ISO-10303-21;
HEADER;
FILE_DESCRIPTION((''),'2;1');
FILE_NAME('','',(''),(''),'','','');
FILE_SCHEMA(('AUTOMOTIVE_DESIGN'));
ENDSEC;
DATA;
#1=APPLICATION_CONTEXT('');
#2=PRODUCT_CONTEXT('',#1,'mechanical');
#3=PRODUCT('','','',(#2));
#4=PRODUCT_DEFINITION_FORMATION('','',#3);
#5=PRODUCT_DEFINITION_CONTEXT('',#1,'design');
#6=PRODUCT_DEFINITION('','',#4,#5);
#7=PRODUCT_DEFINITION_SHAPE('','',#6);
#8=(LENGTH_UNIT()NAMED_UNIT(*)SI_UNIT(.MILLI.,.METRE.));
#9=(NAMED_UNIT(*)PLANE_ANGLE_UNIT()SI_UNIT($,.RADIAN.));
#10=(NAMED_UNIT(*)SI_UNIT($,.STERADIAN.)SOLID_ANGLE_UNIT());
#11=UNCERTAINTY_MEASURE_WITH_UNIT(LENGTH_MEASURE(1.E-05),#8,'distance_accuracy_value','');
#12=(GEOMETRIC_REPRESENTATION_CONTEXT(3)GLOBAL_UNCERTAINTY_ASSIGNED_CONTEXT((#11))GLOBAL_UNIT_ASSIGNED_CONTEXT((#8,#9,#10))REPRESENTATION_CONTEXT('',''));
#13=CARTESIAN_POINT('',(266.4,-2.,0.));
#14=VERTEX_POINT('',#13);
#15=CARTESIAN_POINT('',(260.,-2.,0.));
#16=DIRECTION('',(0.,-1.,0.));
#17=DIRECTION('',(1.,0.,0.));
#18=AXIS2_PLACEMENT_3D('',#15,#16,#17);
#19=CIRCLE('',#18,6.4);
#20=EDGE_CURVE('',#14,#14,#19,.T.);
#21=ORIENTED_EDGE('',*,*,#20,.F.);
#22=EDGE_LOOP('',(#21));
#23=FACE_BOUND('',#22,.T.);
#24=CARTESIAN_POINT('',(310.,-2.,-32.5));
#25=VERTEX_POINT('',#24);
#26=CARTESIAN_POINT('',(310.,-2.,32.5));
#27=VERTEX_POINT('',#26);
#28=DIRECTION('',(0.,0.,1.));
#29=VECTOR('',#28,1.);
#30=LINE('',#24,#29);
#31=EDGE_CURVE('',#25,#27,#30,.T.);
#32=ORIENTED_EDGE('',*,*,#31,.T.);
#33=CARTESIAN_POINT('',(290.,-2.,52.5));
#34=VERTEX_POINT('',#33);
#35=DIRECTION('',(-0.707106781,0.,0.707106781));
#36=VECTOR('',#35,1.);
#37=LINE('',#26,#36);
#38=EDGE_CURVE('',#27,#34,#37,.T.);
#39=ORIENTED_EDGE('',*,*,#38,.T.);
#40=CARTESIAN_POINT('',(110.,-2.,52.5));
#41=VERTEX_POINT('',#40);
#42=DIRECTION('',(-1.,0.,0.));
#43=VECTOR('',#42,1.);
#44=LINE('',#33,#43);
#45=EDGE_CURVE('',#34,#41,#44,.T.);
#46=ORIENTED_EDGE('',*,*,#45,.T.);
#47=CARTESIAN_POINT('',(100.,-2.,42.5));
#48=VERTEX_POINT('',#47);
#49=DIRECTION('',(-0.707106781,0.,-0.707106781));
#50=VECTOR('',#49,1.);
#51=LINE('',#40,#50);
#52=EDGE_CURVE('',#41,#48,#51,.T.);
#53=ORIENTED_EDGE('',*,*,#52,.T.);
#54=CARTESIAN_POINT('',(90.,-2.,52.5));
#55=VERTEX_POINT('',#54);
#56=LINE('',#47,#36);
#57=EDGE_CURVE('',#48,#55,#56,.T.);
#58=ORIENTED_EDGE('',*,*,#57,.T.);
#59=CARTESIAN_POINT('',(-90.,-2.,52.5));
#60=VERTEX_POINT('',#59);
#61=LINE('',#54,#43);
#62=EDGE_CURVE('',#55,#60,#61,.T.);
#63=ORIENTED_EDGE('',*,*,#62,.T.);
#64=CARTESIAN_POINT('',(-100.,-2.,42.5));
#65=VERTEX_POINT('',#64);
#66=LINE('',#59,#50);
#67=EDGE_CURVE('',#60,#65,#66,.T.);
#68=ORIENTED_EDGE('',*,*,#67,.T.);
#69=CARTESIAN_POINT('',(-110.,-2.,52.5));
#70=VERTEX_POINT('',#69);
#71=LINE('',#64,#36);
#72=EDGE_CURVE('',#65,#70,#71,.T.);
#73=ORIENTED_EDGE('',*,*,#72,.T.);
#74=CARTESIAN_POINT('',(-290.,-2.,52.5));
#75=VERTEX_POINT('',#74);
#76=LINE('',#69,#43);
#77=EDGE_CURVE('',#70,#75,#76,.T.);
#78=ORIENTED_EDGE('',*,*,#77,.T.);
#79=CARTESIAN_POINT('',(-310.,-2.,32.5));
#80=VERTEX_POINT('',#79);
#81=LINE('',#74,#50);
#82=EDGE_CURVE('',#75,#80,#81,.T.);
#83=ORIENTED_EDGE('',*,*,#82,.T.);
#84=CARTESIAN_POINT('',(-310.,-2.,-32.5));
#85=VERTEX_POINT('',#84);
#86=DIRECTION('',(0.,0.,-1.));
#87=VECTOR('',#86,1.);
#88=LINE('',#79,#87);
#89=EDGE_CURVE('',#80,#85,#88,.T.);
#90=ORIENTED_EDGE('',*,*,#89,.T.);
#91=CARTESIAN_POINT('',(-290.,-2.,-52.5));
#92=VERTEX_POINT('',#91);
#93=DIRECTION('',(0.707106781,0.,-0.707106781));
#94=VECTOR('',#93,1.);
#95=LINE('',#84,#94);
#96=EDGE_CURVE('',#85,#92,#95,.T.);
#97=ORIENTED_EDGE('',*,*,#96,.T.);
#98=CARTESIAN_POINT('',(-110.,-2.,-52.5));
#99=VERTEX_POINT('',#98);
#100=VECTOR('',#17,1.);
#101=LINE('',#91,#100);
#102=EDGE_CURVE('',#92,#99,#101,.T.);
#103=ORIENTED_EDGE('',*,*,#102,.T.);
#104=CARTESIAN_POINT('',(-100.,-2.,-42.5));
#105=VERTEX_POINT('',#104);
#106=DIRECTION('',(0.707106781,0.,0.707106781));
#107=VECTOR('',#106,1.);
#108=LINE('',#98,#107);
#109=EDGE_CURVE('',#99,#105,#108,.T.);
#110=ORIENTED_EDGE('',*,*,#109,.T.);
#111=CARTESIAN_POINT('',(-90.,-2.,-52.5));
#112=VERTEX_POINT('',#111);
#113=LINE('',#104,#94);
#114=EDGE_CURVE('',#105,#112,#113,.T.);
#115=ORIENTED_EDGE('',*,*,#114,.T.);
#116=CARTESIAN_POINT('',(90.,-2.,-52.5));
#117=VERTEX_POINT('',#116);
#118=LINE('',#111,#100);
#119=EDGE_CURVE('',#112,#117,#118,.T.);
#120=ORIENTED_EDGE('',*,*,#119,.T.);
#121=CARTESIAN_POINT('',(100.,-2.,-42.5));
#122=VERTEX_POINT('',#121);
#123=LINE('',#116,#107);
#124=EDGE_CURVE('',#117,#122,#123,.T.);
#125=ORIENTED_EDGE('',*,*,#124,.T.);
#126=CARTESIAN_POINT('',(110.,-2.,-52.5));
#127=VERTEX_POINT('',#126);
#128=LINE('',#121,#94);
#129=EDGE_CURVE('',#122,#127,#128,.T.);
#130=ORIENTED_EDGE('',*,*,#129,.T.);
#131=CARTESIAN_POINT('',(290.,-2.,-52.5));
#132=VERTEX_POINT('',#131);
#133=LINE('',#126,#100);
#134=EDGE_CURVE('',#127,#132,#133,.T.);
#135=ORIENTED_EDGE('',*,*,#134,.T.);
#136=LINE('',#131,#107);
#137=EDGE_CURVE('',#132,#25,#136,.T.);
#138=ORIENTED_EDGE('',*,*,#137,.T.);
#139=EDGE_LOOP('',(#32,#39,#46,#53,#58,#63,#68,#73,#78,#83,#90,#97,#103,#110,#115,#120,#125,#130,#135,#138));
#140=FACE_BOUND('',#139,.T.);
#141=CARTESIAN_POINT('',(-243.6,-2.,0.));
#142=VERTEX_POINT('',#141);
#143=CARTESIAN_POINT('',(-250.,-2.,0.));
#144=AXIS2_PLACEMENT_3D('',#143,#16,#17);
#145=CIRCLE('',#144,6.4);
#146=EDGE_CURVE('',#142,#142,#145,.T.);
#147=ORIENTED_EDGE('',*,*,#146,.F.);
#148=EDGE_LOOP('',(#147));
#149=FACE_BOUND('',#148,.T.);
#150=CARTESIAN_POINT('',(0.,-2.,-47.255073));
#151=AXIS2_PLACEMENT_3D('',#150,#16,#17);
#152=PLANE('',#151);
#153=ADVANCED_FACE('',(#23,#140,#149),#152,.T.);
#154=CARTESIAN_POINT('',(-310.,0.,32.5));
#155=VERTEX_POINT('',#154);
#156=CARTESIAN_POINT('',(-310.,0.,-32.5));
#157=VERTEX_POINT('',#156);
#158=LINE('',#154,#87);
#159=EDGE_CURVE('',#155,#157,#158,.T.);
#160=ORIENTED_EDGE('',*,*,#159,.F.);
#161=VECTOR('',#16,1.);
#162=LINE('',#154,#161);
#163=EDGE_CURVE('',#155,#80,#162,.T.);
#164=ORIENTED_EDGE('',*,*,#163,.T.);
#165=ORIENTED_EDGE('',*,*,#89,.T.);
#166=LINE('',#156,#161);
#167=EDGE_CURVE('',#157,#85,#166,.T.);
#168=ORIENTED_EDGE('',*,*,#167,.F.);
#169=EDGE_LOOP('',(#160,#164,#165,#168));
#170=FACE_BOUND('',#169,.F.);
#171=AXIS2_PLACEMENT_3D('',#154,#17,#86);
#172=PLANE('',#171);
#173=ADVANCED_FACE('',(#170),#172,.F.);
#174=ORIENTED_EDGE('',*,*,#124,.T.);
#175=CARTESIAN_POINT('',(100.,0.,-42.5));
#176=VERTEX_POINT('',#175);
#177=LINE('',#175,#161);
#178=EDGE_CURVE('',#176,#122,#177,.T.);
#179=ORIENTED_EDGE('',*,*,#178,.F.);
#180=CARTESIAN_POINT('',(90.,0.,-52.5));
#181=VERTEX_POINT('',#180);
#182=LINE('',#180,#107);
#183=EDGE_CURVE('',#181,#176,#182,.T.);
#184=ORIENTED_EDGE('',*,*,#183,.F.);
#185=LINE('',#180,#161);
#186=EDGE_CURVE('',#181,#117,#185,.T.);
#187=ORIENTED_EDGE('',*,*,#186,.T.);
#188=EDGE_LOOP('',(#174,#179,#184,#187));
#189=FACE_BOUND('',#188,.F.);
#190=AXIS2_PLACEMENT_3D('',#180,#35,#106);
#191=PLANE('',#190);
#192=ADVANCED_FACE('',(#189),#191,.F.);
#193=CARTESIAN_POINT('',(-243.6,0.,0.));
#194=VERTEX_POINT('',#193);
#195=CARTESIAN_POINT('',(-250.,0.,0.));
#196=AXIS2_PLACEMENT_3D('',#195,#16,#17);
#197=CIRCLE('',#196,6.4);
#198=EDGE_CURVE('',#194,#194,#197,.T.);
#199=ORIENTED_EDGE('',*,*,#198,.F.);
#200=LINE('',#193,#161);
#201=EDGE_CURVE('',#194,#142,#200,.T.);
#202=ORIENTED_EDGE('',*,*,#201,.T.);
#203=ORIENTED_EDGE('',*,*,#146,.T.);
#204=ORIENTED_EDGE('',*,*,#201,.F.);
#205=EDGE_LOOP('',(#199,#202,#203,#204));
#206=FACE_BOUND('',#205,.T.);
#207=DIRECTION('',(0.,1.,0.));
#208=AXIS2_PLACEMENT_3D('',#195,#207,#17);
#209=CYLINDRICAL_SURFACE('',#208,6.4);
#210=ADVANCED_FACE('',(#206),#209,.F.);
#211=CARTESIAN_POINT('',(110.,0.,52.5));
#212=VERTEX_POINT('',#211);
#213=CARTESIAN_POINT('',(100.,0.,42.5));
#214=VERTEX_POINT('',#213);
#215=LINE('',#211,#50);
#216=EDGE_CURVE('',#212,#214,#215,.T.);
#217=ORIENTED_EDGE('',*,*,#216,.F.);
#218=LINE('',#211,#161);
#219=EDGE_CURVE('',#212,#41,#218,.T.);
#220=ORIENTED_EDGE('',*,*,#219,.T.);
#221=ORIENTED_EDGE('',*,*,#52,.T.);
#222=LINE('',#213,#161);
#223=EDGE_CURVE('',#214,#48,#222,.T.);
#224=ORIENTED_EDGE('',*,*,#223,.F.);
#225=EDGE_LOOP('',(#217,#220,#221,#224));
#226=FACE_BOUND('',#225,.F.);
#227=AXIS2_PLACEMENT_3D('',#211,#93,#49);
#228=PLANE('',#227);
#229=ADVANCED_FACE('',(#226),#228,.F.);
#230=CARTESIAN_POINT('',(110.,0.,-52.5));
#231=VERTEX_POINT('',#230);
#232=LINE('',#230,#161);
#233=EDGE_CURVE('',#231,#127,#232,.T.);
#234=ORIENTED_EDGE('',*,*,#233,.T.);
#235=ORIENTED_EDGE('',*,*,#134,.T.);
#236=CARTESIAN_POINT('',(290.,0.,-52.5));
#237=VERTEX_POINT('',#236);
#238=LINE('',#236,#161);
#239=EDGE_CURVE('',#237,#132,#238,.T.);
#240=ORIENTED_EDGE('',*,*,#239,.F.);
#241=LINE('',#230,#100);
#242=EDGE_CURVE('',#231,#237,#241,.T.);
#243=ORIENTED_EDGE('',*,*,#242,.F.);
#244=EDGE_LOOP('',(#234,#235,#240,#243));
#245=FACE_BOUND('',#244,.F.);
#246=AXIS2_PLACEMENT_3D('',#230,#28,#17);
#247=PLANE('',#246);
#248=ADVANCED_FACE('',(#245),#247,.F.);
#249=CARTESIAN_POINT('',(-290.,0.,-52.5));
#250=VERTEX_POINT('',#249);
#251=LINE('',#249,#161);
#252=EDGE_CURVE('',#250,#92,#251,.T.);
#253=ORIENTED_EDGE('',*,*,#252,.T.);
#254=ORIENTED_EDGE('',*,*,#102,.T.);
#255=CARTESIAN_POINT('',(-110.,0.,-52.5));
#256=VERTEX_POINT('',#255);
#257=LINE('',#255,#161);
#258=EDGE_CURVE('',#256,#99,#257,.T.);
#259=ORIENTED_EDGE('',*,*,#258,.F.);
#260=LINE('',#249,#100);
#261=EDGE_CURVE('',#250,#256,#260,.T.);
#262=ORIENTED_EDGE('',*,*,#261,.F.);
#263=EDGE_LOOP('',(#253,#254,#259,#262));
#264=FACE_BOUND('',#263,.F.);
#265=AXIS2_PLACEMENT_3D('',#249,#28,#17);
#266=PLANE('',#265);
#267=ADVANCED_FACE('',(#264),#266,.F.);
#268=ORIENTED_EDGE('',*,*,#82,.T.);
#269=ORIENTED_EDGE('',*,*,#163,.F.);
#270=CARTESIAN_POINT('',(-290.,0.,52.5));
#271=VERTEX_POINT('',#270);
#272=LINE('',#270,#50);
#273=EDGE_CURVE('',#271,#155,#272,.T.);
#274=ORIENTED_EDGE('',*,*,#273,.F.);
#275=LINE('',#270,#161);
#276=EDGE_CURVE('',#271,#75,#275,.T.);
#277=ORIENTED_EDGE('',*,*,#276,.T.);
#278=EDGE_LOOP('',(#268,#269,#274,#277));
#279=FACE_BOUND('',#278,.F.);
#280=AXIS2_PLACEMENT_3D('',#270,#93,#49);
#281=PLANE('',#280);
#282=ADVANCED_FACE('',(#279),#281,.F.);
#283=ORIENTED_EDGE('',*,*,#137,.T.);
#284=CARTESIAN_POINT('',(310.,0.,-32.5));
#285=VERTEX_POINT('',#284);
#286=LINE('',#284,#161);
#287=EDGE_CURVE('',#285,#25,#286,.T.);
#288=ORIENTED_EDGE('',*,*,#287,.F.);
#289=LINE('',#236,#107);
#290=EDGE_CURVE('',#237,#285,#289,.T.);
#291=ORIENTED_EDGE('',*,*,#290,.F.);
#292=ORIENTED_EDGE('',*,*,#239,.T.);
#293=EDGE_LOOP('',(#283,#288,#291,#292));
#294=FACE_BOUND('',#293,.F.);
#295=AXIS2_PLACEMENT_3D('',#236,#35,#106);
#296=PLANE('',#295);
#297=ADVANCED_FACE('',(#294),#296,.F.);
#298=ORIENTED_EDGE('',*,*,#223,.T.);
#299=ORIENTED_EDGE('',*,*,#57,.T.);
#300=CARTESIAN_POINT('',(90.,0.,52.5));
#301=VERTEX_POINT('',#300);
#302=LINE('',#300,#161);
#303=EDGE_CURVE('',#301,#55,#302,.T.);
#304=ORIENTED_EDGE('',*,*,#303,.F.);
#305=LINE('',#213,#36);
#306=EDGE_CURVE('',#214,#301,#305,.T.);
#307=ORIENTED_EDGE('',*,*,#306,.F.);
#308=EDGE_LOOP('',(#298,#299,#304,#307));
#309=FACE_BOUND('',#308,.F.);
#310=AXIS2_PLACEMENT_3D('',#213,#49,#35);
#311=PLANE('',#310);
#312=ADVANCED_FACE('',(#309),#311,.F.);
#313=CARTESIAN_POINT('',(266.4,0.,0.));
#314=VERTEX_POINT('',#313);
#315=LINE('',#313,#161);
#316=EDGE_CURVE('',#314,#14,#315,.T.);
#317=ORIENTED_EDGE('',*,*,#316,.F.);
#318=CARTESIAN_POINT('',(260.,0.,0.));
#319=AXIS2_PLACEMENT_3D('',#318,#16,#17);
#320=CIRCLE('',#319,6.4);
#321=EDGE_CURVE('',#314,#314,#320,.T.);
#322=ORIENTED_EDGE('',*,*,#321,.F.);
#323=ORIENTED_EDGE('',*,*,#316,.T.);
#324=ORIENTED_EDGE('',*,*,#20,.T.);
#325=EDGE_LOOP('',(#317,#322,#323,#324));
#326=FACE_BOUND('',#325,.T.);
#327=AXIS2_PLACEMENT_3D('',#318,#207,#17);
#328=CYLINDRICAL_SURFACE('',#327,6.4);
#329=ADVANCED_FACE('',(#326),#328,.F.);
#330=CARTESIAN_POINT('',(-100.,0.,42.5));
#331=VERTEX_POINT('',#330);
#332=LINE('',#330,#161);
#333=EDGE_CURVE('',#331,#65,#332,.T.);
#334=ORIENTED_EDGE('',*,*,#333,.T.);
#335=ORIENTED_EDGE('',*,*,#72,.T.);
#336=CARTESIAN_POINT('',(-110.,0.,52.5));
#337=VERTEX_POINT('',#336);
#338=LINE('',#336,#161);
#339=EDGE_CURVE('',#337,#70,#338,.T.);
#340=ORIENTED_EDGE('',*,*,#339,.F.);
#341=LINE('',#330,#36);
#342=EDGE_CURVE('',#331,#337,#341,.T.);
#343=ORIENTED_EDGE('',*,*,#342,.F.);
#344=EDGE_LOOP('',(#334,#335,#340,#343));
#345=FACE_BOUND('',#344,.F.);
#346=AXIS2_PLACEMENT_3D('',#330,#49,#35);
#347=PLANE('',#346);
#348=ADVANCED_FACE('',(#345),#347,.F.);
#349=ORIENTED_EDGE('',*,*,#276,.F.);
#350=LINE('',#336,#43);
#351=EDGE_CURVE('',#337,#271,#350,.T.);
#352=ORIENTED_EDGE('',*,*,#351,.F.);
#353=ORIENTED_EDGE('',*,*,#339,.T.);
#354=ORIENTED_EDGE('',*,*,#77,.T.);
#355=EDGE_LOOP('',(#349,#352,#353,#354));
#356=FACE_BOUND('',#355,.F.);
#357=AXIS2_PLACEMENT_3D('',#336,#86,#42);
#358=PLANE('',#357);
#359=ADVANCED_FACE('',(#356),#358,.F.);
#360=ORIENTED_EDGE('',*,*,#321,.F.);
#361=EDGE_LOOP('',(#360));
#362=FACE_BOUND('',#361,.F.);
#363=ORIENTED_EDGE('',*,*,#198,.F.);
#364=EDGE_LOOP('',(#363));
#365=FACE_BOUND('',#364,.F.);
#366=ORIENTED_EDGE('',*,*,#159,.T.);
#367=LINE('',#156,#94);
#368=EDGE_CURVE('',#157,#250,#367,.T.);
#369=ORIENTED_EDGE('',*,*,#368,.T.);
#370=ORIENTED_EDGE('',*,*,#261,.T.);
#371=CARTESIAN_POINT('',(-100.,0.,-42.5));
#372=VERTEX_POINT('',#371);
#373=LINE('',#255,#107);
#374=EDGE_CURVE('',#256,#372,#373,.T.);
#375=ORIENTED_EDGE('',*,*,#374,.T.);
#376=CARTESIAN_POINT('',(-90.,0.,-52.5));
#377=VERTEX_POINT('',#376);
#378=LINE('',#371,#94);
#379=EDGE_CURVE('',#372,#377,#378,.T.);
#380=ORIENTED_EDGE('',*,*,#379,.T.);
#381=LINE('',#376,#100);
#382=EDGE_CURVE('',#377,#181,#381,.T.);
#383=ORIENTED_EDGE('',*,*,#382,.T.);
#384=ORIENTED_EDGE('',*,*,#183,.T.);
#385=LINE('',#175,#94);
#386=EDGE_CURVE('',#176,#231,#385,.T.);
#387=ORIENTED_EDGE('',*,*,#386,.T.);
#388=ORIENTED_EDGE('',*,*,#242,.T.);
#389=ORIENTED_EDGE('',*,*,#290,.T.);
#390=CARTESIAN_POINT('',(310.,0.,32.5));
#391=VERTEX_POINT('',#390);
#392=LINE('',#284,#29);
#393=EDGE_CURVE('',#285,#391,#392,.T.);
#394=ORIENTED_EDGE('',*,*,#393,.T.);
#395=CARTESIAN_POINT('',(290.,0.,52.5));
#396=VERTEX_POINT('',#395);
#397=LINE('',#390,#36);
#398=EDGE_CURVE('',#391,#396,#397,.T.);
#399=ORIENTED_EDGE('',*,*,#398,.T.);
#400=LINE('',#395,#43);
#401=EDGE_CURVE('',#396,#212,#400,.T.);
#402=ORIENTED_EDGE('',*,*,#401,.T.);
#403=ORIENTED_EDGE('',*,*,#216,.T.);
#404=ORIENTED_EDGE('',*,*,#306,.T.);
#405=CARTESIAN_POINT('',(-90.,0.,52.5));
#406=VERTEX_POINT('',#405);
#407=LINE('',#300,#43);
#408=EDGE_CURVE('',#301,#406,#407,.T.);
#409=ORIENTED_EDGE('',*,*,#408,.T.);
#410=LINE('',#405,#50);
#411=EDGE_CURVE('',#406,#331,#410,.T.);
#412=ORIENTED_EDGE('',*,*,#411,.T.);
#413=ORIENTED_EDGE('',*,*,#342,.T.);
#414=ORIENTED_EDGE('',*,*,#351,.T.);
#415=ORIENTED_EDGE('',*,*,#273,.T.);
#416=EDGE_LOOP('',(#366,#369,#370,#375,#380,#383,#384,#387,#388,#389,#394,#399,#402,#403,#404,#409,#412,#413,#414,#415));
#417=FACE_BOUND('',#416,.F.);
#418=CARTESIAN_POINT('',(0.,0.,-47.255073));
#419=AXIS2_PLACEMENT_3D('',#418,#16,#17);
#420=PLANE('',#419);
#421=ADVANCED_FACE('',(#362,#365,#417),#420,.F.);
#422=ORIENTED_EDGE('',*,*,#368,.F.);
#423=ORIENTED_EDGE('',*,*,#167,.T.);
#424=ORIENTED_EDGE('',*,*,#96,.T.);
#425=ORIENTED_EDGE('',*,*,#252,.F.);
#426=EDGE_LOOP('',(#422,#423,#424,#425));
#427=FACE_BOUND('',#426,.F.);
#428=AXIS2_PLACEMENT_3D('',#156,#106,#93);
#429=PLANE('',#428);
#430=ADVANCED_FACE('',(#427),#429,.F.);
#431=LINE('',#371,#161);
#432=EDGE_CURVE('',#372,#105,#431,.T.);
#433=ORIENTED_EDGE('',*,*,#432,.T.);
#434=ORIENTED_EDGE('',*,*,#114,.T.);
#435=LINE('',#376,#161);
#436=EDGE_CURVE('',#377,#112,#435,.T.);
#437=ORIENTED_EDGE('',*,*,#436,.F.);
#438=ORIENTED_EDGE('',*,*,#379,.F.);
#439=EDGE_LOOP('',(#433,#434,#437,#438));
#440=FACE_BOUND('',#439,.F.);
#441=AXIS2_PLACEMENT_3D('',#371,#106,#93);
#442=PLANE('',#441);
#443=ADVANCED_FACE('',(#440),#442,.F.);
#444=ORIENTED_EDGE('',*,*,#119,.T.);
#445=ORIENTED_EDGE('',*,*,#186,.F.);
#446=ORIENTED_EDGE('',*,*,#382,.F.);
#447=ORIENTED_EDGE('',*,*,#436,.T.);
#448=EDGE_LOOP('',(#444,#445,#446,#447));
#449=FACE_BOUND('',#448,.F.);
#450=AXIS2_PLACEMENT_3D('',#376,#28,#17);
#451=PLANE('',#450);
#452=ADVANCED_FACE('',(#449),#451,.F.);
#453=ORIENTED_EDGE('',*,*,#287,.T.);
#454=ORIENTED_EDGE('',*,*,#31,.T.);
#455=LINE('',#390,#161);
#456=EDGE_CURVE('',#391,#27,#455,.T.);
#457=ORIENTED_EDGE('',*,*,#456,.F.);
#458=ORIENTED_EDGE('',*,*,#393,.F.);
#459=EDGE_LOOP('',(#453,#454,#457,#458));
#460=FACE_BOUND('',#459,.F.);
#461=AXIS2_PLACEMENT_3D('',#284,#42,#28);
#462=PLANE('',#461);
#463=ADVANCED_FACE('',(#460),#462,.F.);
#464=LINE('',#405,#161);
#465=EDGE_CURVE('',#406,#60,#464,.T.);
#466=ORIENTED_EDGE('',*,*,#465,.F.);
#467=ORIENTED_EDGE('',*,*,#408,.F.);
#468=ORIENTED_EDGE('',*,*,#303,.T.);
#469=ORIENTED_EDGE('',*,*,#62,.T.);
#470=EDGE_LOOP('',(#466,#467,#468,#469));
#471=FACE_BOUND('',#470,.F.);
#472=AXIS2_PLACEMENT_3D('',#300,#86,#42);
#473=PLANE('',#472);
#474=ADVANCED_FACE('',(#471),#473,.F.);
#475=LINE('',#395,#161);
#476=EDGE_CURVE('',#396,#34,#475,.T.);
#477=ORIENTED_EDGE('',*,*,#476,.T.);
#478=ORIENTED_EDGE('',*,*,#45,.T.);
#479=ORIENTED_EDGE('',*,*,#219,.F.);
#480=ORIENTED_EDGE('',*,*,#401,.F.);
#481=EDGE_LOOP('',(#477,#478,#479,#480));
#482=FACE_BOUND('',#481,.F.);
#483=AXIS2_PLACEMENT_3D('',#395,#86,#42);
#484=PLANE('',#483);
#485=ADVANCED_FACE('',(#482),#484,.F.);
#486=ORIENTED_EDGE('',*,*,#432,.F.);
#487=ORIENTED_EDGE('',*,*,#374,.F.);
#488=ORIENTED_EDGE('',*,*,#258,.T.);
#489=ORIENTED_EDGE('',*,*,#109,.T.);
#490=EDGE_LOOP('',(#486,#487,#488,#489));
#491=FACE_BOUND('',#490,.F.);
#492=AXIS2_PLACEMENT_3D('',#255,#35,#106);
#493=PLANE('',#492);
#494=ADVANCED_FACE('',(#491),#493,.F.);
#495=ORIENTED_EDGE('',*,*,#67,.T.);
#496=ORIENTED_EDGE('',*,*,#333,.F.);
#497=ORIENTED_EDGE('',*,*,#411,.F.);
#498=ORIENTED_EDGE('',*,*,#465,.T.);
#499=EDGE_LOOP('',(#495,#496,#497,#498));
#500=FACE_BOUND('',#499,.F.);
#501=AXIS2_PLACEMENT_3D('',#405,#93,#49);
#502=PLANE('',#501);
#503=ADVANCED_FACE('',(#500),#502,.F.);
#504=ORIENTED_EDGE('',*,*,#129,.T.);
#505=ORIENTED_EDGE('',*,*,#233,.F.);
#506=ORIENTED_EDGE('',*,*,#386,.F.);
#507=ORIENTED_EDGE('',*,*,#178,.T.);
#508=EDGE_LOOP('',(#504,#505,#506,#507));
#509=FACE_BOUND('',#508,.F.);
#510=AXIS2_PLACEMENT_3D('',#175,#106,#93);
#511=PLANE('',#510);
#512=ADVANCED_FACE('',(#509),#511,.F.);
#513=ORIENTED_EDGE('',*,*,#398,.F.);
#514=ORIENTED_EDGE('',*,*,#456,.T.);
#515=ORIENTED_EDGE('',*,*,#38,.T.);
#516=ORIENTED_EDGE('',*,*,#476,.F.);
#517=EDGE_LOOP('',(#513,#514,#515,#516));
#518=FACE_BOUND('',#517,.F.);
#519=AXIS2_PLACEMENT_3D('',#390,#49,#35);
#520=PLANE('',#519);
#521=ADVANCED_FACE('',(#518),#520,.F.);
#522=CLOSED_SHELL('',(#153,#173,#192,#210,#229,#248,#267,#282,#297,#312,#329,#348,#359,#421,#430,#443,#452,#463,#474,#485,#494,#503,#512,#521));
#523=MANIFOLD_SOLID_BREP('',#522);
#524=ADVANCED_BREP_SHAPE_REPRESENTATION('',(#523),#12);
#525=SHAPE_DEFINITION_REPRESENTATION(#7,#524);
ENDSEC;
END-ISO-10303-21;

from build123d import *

# Parameters (mm, degrees)
F0_W     = 200
F0_H     = 85
F0_R     = 6.4
F1_DEPTH = 2


with BuildPart() as f1:
    # F0 (on Front) → F1 (new body)
    with BuildSketch(Plane.XZ):
        Polygon((90, -52.5), (100, -42.5), (-100, -42.5), (-90, -52.5), align=None)
        Rectangle(F0_W, F0_H)
        with Locations((200, 0)):
            Rectangle(F0_W, F0_H)
        with Locations((260, 0)):
            Circle(F0_R, mode=Mode.SUBTRACT)
        Polygon((300, -42.5), (100, -42.5), (110, -52.5), (290, -52.5), align=None)
        with Locations((-200, 0)):
            Rectangle(F0_W, F0_H)
        with Locations((-250, 0)):
            Circle(F0_R, mode=Mode.SUBTRACT)
        Polygon((-110, -52.5), (-100, -42.5), (-300, -42.5), (-290, -52.5), align=None)
        Polygon((110, 52.5), (100, 42.5), (300, 42.5), (290, 52.5), align=None)
        Polygon((-100, 42.5), (100, 42.5), (90, 52.5), (-90, 52.5), align=None)
        Polygon((300, 42.5), (300, -42.5), (310, -32.5), (310, 32.5), align=None)
        Polygon((-300, 42.5), (-100, 42.5), (-110, 52.5), (-290, 52.5), align=None)
        Polygon((-310, -32.5), (-300, -42.5), (-300, 42.5), (-310, 32.5), align=None)
    extrude(amount=F1_DEPTH)


solid = f1.part
